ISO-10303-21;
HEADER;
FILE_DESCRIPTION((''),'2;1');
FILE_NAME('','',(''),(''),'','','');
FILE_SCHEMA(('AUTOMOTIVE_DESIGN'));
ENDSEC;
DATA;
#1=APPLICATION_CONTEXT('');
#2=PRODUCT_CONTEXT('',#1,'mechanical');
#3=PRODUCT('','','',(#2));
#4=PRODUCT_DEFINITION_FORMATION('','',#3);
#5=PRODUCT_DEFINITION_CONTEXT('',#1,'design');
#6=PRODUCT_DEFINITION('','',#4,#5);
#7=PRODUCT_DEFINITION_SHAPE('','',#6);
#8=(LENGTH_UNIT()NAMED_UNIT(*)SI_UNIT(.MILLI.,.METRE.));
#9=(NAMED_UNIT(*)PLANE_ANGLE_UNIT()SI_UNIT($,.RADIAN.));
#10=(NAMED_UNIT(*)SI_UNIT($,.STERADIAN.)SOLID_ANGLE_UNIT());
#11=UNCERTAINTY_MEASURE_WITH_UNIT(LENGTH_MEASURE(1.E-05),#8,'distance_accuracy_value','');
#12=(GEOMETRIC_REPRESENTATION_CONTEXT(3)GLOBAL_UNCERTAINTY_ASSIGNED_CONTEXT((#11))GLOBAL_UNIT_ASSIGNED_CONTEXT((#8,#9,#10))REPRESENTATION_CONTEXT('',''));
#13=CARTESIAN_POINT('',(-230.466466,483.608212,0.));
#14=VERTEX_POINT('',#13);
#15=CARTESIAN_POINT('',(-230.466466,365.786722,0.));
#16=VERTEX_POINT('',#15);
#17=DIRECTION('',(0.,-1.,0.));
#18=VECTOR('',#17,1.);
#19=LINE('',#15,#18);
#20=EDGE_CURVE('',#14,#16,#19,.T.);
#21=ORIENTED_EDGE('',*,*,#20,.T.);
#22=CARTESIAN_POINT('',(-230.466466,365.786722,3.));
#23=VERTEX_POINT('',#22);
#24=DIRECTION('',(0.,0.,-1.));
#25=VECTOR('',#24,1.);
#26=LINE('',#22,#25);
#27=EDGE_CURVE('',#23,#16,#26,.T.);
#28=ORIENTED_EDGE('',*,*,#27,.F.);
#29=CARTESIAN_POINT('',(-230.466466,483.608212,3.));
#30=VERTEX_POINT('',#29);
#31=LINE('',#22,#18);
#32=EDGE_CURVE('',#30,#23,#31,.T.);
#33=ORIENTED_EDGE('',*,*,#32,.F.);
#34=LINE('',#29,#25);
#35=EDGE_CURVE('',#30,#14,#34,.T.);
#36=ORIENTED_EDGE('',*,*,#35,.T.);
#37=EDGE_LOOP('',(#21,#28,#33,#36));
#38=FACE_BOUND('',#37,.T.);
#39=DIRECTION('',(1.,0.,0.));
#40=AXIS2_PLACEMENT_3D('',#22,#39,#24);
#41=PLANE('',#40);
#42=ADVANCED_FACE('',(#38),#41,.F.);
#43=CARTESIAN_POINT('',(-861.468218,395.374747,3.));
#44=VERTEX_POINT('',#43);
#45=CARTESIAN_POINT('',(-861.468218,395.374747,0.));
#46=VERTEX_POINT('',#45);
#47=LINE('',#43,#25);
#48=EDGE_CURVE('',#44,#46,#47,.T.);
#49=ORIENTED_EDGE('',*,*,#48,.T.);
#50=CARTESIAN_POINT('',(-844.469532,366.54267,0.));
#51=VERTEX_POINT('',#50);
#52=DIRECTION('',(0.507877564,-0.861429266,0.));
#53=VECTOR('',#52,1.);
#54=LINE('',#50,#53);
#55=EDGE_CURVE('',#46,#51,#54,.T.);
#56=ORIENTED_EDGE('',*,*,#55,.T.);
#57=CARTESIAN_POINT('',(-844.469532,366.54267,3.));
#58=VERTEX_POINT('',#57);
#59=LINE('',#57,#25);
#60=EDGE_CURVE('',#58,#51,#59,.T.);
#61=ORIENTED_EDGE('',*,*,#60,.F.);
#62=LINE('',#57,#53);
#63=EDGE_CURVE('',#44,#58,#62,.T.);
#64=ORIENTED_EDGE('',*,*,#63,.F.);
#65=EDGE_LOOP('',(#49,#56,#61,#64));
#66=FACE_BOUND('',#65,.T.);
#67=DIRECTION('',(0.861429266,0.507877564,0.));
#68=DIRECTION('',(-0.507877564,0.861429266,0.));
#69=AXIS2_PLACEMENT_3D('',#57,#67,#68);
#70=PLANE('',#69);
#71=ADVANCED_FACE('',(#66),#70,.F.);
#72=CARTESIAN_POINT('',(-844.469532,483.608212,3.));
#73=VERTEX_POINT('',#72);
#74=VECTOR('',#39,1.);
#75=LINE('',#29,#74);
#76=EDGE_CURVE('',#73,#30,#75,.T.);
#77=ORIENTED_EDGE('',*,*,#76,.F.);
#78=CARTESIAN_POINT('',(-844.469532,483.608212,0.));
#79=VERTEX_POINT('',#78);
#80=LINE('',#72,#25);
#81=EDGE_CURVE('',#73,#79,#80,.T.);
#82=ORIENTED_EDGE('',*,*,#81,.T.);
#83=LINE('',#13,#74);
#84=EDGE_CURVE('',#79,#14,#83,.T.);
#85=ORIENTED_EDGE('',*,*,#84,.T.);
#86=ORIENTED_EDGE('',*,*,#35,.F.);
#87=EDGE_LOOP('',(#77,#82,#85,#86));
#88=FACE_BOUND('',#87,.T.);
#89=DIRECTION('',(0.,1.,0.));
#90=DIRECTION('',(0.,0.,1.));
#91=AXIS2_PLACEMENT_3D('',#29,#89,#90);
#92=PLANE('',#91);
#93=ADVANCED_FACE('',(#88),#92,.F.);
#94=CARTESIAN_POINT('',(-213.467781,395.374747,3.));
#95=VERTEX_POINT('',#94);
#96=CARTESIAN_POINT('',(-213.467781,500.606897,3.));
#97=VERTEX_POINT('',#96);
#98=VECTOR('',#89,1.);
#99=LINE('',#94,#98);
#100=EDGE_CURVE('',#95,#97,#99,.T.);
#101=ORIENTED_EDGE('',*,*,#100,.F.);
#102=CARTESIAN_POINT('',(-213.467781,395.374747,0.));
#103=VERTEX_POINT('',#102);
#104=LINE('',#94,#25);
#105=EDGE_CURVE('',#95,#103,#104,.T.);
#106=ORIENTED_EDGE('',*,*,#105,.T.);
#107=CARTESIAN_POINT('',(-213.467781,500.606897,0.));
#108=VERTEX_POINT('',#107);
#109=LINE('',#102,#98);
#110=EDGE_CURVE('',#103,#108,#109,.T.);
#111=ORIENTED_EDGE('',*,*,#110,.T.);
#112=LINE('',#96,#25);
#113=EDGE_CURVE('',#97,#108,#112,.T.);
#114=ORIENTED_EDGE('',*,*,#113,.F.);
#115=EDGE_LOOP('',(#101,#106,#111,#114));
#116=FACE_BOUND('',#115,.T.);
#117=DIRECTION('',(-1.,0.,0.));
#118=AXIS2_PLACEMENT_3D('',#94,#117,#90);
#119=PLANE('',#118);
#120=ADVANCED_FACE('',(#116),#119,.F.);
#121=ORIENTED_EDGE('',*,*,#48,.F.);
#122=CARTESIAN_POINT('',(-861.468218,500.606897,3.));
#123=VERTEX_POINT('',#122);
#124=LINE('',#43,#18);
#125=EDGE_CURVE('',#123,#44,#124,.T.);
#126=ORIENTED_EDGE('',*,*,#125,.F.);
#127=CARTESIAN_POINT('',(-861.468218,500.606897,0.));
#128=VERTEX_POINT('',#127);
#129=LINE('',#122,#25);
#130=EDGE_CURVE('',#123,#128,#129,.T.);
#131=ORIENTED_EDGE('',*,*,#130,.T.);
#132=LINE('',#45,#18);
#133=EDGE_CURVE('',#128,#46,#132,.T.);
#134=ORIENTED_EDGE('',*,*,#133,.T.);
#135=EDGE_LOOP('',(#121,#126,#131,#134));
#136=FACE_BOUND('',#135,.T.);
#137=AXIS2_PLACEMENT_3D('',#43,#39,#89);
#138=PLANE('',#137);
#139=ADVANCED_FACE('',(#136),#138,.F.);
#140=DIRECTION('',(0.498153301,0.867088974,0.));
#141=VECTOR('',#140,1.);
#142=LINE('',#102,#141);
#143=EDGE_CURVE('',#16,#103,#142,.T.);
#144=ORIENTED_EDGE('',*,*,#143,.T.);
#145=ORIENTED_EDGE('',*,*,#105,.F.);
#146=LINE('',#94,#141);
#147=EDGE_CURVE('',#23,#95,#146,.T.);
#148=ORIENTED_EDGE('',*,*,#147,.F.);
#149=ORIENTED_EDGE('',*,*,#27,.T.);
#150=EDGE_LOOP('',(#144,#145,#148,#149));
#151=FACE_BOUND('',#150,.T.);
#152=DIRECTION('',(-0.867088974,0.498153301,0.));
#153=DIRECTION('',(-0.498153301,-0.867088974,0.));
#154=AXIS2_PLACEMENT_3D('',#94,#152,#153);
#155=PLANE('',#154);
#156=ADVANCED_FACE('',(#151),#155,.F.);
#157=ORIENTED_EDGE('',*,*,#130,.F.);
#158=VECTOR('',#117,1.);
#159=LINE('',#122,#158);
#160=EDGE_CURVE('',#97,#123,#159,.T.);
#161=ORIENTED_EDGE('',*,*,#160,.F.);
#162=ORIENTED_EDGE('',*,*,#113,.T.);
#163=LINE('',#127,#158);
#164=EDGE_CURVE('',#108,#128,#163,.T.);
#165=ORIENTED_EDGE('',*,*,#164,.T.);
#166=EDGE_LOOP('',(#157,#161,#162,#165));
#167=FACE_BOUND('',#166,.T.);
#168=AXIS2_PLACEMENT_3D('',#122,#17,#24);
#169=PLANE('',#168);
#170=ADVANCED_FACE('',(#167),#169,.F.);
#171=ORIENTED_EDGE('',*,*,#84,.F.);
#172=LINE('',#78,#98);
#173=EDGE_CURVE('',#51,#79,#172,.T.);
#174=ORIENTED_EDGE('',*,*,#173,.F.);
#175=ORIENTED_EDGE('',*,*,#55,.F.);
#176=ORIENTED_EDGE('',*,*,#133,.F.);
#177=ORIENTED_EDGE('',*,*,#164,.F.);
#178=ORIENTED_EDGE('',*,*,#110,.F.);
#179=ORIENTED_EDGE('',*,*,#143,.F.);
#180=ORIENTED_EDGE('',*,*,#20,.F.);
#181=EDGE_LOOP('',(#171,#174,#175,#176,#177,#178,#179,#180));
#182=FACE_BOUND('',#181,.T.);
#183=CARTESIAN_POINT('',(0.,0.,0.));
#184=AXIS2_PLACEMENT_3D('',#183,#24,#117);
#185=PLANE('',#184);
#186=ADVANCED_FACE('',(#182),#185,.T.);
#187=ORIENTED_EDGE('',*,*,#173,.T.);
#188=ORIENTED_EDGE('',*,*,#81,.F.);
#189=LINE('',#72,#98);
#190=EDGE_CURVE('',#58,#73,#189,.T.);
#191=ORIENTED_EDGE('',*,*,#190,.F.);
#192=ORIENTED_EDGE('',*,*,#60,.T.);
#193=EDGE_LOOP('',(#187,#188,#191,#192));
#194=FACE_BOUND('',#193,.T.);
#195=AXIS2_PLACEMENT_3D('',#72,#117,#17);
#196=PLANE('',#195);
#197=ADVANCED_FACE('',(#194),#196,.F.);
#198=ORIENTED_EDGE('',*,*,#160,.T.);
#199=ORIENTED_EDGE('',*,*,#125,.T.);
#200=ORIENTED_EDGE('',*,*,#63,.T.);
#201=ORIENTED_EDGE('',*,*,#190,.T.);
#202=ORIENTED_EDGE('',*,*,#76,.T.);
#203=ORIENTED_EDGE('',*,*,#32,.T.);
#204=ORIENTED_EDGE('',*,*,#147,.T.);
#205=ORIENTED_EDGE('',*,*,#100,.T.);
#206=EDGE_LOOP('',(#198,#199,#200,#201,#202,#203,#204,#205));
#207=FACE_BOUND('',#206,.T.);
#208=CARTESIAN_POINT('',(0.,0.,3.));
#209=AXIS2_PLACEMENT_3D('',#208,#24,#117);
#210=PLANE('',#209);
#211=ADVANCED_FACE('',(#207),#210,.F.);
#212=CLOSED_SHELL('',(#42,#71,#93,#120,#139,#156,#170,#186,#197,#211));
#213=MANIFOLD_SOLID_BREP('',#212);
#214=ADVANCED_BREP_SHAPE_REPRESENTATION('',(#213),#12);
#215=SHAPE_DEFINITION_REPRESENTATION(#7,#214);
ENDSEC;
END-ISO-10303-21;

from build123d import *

# Parameters (mm, degrees)
BOSS_EXTRUDE1_DEPTH = 3


with BuildPart() as part:
    # Sketch2 → Boss-Extrude1 (new body)
    with BuildSketch(Plane.XY):
        Polygon((-861.468217561, 500.606896828), (-213.467780542, 500.606896828), (-213.467780542, 395.374747166), (-230.466465748, 365.786721753), (-230.466465748, 483.608211622), (-844.469532355, 483.608211622), (-844.469532355, 366.542670365), (-861.468217561, 395.374747166), align=None)
    extrude(amount=BOSS_EXTRUDE1_DEPTH)


solid = part.part
